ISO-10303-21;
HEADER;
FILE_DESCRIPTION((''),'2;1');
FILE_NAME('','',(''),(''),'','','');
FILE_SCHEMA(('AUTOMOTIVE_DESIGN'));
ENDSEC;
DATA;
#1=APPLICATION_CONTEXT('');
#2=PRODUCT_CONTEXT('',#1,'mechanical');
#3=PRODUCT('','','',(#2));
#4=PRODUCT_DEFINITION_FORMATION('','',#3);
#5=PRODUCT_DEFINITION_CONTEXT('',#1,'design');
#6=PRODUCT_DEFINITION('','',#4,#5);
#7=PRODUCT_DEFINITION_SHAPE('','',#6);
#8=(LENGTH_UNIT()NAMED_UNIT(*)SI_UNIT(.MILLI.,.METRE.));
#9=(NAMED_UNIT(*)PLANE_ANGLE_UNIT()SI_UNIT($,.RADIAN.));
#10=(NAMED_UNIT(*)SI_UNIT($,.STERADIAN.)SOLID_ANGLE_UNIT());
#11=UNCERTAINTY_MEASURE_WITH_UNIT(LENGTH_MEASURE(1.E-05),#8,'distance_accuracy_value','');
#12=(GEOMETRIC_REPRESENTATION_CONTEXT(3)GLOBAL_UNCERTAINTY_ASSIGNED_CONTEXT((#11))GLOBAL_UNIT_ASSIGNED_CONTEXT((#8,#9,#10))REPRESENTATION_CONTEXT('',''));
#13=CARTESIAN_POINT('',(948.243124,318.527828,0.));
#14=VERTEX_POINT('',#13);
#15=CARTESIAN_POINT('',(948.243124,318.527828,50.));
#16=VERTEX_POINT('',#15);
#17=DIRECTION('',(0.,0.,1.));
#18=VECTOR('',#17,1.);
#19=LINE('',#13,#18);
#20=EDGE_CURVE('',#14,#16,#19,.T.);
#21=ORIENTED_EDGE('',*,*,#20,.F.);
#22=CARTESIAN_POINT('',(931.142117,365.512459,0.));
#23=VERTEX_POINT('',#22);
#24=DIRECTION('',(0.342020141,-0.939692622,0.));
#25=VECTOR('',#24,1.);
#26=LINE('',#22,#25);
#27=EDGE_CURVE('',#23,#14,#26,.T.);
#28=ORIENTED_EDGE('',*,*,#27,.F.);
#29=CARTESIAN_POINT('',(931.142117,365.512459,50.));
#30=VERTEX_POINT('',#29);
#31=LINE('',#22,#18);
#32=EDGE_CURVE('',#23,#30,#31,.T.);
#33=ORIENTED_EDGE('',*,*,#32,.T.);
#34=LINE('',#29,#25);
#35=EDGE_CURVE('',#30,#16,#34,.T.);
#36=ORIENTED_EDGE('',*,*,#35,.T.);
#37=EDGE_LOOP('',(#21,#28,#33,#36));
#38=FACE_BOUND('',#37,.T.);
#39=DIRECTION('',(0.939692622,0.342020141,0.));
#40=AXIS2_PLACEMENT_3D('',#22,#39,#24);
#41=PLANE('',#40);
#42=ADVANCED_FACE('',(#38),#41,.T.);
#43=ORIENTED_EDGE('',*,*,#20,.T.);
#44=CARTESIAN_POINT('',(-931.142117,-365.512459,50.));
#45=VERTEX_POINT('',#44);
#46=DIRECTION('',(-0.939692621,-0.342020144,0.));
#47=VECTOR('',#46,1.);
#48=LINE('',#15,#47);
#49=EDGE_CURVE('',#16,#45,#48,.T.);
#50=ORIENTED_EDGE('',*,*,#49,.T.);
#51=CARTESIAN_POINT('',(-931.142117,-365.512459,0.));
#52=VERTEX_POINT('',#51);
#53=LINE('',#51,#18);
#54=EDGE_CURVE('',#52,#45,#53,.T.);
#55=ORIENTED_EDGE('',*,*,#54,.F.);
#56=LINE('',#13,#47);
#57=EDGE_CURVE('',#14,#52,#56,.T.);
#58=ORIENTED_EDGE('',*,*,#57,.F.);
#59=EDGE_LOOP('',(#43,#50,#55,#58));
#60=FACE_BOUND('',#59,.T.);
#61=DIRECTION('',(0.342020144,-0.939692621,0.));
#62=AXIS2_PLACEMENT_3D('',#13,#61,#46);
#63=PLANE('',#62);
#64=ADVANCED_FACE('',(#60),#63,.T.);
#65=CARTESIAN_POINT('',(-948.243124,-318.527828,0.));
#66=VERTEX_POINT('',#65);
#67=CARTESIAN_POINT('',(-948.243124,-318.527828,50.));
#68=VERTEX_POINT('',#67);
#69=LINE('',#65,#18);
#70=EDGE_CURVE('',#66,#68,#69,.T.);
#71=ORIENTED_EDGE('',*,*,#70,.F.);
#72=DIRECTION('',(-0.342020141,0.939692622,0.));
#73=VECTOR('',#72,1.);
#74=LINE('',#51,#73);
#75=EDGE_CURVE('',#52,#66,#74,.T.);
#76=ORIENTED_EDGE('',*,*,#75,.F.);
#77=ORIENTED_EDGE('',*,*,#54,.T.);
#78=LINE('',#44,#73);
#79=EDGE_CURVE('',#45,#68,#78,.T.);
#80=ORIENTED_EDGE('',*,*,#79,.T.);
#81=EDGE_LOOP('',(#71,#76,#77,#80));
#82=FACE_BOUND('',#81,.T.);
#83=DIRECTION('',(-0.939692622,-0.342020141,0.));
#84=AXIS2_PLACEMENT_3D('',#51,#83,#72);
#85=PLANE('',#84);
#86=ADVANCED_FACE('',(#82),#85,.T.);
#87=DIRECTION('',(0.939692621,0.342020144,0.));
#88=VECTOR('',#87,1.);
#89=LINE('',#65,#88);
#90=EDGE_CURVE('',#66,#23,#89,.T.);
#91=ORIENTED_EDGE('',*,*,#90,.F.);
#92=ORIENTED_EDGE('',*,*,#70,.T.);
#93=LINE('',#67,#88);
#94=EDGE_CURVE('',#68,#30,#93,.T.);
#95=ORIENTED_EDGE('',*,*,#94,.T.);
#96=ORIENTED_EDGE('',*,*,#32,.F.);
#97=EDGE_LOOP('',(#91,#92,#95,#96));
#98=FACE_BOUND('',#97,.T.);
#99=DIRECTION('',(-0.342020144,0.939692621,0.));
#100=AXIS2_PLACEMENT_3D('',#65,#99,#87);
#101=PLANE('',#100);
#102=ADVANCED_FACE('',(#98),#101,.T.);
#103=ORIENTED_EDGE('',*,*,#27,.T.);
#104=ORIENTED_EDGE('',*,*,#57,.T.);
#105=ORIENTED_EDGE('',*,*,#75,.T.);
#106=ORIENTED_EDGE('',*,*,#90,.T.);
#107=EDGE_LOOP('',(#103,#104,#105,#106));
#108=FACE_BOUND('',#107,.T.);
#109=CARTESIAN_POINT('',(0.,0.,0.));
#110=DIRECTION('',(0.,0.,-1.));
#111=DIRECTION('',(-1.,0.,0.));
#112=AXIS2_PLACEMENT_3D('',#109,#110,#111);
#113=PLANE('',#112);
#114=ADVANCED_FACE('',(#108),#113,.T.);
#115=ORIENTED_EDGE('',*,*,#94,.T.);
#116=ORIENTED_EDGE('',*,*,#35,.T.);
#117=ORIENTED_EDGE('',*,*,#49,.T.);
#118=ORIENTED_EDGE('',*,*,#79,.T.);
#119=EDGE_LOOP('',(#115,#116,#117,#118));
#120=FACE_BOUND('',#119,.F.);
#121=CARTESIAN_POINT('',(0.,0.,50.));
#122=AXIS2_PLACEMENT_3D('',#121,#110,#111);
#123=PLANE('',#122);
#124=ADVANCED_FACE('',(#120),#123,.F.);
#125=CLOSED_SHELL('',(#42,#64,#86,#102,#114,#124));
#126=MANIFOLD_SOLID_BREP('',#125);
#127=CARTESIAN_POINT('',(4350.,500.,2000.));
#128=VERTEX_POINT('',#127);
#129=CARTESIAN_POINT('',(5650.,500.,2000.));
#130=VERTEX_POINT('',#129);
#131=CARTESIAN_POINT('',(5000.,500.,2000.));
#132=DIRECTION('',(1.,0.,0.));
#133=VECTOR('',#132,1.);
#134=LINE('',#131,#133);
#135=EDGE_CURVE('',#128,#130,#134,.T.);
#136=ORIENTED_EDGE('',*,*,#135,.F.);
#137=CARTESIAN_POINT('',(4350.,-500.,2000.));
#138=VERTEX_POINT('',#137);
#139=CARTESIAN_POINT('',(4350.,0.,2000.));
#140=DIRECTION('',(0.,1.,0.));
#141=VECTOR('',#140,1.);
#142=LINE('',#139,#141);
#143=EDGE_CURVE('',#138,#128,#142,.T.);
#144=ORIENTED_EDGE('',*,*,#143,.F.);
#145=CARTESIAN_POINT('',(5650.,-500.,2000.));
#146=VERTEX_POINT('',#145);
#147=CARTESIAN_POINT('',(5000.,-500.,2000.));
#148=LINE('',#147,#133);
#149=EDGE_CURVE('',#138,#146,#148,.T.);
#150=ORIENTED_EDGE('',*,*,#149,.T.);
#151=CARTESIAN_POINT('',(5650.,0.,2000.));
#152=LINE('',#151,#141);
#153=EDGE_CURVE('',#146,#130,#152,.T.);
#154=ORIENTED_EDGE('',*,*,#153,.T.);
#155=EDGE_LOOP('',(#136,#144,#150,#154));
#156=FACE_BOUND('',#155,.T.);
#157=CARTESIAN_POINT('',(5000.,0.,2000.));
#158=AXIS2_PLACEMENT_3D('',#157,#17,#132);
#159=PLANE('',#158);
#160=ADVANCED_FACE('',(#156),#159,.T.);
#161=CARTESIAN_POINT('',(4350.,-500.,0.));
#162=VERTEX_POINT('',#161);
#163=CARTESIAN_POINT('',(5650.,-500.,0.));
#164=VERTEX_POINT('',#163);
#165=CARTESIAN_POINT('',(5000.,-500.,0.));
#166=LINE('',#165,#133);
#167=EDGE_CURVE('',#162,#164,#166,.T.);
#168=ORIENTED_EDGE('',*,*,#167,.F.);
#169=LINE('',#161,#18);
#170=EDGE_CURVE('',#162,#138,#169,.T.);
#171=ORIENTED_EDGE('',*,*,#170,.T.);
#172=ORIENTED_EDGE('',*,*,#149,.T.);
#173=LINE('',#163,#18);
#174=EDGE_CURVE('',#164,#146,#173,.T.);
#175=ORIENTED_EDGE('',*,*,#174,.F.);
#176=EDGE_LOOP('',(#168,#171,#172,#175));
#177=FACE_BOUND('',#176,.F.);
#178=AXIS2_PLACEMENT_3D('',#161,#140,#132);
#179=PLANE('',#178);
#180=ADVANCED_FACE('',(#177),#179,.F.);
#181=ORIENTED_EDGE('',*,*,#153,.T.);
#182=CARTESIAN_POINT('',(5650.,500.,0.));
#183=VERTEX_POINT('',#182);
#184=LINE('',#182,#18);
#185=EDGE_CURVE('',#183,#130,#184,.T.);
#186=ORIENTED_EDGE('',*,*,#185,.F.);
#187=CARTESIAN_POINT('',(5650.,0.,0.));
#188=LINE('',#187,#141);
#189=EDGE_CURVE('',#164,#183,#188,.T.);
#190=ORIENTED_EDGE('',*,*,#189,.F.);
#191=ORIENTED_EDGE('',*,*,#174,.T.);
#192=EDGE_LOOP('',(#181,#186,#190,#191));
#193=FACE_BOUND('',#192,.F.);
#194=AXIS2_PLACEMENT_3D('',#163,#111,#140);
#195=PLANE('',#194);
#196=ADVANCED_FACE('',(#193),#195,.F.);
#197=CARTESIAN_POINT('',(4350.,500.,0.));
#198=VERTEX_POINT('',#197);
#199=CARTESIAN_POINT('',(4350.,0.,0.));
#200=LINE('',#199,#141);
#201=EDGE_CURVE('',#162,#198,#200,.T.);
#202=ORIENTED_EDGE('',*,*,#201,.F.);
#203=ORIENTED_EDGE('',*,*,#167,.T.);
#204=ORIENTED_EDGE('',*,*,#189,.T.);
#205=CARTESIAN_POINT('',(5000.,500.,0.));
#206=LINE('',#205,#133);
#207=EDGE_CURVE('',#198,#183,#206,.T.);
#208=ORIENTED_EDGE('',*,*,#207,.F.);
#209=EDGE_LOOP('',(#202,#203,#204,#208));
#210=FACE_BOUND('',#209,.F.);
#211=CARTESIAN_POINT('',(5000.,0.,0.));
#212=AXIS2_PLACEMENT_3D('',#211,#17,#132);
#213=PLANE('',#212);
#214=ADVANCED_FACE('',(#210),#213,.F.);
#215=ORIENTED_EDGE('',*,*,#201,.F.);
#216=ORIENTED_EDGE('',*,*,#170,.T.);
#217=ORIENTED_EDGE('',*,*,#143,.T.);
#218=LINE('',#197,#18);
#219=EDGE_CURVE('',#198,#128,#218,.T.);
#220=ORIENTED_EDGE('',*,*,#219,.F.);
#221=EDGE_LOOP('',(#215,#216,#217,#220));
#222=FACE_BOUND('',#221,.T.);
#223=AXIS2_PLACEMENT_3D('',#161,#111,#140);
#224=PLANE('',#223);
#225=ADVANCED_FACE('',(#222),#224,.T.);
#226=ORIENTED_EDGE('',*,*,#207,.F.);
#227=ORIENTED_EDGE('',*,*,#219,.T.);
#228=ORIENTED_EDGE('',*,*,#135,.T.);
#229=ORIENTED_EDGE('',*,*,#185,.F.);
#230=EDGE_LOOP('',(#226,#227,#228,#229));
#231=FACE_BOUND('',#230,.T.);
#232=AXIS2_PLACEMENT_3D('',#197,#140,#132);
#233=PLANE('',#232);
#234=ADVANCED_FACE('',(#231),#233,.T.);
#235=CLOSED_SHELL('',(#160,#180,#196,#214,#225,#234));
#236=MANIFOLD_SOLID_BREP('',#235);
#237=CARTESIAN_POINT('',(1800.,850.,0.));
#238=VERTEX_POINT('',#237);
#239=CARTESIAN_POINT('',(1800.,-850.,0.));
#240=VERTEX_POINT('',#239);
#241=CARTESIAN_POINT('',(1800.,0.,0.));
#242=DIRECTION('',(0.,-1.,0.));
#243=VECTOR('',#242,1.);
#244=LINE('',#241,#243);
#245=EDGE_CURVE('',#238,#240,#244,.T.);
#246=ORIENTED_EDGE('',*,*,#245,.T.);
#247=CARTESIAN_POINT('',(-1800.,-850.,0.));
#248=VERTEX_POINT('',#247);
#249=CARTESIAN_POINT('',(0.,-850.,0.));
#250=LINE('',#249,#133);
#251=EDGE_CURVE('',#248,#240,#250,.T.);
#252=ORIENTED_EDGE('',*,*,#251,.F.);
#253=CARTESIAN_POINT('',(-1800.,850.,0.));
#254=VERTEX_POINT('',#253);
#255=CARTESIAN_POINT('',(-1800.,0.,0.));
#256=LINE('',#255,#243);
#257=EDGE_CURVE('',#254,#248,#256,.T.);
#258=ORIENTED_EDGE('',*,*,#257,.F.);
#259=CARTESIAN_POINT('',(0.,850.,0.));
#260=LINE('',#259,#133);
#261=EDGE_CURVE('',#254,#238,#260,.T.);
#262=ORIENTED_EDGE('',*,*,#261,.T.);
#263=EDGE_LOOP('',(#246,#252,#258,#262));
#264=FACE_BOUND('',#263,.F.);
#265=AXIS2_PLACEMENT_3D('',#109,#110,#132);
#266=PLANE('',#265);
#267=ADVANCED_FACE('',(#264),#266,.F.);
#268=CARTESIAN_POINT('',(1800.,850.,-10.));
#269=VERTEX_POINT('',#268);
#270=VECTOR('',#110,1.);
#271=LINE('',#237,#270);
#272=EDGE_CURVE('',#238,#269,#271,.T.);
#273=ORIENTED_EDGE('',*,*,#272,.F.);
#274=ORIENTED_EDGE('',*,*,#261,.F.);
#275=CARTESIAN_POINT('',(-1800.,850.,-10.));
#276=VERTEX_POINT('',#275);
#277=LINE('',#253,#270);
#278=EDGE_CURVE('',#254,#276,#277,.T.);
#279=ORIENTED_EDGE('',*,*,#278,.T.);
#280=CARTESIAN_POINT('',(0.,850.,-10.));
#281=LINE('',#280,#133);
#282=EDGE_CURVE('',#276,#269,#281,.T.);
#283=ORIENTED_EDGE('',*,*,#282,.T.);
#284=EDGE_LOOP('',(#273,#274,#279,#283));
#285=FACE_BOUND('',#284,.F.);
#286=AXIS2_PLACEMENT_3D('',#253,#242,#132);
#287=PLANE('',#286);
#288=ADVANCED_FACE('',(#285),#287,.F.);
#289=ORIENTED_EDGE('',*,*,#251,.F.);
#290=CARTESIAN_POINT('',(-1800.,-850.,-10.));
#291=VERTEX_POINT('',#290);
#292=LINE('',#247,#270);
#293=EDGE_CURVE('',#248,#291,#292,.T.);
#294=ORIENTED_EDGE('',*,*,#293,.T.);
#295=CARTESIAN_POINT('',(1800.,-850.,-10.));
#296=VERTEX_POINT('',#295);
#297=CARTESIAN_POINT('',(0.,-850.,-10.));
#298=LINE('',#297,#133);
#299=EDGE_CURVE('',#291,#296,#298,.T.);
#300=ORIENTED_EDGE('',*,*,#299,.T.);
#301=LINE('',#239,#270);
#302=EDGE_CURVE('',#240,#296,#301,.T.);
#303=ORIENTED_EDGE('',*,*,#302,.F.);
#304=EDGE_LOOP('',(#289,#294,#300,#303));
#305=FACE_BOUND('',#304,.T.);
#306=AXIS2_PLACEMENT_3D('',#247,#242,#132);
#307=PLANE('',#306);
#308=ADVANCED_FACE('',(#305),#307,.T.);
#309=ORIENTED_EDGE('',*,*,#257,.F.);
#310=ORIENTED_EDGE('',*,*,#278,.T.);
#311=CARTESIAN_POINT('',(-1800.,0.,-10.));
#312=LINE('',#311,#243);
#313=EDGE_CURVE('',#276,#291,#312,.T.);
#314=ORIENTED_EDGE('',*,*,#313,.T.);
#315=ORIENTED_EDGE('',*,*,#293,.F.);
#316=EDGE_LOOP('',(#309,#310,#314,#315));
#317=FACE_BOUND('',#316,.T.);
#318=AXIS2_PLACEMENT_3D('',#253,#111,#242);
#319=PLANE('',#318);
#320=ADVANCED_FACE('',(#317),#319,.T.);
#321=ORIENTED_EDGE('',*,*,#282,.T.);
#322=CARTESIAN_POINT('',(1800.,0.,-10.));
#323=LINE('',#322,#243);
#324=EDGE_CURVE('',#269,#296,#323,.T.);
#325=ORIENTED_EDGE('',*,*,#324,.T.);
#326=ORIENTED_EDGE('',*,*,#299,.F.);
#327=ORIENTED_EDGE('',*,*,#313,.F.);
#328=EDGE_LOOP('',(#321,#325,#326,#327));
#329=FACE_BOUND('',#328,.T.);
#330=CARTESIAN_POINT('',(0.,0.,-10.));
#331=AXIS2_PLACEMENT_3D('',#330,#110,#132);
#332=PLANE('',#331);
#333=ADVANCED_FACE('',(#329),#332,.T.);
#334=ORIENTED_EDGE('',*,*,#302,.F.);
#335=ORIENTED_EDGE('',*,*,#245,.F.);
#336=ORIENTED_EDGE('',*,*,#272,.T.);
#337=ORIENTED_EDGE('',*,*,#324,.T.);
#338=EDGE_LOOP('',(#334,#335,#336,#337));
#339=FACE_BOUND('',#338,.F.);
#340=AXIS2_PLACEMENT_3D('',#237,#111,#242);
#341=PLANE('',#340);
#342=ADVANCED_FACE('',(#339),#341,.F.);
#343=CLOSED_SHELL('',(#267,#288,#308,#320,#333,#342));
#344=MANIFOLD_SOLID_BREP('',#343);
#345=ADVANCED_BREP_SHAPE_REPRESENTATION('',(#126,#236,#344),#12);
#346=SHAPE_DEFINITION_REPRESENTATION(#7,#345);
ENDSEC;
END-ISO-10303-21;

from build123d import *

# Parameters (mm, degrees)
EXTRUDE_DEPTH    = 50
SKETCH001_W      = 3600
SKETCH001_H      = 1700
EXTRUDE001_DEPTH = 10
SKETCH002_W      = 1300
SKETCH002_H      = 1000
EXTRUDE002_DEPTH = 2000


with BuildPart() as extrude_body:
    # Sketch → Extrude (new body)
    with BuildSketch(Plane.XY):
        Polygon((-948.243124, -318.527828), (931.142117, 365.512459), (948.243124, 318.527828), (-931.142117, -365.512459), align=None)
    extrude(amount=EXTRUDE_DEPTH)


with BuildPart() as extrude001:
    # Sketch001 (on Face5 of Extrude) → Extrude001 (new body)
    with BuildSketch(Plane(origin=(0, 0, 0), x_dir=(1, 0, 0), z_dir=(0, 0, -1))):
        Rectangle(SKETCH001_W, SKETCH001_H)
    extrude(amount=EXTRUDE001_DEPTH)


with BuildPart() as extrude002:
    # Sketch002 (on Face5 of Extrude001) → Extrude002 (new body)
    with BuildSketch(Plane.XY):
        with Locations((5000, 0)):
            Rectangle(SKETCH002_W, SKETCH002_H)
    extrude(amount=EXTRUDE002_DEPTH)


solid = Compound([extrude_body.part, extrude001.part, extrude002.part])
